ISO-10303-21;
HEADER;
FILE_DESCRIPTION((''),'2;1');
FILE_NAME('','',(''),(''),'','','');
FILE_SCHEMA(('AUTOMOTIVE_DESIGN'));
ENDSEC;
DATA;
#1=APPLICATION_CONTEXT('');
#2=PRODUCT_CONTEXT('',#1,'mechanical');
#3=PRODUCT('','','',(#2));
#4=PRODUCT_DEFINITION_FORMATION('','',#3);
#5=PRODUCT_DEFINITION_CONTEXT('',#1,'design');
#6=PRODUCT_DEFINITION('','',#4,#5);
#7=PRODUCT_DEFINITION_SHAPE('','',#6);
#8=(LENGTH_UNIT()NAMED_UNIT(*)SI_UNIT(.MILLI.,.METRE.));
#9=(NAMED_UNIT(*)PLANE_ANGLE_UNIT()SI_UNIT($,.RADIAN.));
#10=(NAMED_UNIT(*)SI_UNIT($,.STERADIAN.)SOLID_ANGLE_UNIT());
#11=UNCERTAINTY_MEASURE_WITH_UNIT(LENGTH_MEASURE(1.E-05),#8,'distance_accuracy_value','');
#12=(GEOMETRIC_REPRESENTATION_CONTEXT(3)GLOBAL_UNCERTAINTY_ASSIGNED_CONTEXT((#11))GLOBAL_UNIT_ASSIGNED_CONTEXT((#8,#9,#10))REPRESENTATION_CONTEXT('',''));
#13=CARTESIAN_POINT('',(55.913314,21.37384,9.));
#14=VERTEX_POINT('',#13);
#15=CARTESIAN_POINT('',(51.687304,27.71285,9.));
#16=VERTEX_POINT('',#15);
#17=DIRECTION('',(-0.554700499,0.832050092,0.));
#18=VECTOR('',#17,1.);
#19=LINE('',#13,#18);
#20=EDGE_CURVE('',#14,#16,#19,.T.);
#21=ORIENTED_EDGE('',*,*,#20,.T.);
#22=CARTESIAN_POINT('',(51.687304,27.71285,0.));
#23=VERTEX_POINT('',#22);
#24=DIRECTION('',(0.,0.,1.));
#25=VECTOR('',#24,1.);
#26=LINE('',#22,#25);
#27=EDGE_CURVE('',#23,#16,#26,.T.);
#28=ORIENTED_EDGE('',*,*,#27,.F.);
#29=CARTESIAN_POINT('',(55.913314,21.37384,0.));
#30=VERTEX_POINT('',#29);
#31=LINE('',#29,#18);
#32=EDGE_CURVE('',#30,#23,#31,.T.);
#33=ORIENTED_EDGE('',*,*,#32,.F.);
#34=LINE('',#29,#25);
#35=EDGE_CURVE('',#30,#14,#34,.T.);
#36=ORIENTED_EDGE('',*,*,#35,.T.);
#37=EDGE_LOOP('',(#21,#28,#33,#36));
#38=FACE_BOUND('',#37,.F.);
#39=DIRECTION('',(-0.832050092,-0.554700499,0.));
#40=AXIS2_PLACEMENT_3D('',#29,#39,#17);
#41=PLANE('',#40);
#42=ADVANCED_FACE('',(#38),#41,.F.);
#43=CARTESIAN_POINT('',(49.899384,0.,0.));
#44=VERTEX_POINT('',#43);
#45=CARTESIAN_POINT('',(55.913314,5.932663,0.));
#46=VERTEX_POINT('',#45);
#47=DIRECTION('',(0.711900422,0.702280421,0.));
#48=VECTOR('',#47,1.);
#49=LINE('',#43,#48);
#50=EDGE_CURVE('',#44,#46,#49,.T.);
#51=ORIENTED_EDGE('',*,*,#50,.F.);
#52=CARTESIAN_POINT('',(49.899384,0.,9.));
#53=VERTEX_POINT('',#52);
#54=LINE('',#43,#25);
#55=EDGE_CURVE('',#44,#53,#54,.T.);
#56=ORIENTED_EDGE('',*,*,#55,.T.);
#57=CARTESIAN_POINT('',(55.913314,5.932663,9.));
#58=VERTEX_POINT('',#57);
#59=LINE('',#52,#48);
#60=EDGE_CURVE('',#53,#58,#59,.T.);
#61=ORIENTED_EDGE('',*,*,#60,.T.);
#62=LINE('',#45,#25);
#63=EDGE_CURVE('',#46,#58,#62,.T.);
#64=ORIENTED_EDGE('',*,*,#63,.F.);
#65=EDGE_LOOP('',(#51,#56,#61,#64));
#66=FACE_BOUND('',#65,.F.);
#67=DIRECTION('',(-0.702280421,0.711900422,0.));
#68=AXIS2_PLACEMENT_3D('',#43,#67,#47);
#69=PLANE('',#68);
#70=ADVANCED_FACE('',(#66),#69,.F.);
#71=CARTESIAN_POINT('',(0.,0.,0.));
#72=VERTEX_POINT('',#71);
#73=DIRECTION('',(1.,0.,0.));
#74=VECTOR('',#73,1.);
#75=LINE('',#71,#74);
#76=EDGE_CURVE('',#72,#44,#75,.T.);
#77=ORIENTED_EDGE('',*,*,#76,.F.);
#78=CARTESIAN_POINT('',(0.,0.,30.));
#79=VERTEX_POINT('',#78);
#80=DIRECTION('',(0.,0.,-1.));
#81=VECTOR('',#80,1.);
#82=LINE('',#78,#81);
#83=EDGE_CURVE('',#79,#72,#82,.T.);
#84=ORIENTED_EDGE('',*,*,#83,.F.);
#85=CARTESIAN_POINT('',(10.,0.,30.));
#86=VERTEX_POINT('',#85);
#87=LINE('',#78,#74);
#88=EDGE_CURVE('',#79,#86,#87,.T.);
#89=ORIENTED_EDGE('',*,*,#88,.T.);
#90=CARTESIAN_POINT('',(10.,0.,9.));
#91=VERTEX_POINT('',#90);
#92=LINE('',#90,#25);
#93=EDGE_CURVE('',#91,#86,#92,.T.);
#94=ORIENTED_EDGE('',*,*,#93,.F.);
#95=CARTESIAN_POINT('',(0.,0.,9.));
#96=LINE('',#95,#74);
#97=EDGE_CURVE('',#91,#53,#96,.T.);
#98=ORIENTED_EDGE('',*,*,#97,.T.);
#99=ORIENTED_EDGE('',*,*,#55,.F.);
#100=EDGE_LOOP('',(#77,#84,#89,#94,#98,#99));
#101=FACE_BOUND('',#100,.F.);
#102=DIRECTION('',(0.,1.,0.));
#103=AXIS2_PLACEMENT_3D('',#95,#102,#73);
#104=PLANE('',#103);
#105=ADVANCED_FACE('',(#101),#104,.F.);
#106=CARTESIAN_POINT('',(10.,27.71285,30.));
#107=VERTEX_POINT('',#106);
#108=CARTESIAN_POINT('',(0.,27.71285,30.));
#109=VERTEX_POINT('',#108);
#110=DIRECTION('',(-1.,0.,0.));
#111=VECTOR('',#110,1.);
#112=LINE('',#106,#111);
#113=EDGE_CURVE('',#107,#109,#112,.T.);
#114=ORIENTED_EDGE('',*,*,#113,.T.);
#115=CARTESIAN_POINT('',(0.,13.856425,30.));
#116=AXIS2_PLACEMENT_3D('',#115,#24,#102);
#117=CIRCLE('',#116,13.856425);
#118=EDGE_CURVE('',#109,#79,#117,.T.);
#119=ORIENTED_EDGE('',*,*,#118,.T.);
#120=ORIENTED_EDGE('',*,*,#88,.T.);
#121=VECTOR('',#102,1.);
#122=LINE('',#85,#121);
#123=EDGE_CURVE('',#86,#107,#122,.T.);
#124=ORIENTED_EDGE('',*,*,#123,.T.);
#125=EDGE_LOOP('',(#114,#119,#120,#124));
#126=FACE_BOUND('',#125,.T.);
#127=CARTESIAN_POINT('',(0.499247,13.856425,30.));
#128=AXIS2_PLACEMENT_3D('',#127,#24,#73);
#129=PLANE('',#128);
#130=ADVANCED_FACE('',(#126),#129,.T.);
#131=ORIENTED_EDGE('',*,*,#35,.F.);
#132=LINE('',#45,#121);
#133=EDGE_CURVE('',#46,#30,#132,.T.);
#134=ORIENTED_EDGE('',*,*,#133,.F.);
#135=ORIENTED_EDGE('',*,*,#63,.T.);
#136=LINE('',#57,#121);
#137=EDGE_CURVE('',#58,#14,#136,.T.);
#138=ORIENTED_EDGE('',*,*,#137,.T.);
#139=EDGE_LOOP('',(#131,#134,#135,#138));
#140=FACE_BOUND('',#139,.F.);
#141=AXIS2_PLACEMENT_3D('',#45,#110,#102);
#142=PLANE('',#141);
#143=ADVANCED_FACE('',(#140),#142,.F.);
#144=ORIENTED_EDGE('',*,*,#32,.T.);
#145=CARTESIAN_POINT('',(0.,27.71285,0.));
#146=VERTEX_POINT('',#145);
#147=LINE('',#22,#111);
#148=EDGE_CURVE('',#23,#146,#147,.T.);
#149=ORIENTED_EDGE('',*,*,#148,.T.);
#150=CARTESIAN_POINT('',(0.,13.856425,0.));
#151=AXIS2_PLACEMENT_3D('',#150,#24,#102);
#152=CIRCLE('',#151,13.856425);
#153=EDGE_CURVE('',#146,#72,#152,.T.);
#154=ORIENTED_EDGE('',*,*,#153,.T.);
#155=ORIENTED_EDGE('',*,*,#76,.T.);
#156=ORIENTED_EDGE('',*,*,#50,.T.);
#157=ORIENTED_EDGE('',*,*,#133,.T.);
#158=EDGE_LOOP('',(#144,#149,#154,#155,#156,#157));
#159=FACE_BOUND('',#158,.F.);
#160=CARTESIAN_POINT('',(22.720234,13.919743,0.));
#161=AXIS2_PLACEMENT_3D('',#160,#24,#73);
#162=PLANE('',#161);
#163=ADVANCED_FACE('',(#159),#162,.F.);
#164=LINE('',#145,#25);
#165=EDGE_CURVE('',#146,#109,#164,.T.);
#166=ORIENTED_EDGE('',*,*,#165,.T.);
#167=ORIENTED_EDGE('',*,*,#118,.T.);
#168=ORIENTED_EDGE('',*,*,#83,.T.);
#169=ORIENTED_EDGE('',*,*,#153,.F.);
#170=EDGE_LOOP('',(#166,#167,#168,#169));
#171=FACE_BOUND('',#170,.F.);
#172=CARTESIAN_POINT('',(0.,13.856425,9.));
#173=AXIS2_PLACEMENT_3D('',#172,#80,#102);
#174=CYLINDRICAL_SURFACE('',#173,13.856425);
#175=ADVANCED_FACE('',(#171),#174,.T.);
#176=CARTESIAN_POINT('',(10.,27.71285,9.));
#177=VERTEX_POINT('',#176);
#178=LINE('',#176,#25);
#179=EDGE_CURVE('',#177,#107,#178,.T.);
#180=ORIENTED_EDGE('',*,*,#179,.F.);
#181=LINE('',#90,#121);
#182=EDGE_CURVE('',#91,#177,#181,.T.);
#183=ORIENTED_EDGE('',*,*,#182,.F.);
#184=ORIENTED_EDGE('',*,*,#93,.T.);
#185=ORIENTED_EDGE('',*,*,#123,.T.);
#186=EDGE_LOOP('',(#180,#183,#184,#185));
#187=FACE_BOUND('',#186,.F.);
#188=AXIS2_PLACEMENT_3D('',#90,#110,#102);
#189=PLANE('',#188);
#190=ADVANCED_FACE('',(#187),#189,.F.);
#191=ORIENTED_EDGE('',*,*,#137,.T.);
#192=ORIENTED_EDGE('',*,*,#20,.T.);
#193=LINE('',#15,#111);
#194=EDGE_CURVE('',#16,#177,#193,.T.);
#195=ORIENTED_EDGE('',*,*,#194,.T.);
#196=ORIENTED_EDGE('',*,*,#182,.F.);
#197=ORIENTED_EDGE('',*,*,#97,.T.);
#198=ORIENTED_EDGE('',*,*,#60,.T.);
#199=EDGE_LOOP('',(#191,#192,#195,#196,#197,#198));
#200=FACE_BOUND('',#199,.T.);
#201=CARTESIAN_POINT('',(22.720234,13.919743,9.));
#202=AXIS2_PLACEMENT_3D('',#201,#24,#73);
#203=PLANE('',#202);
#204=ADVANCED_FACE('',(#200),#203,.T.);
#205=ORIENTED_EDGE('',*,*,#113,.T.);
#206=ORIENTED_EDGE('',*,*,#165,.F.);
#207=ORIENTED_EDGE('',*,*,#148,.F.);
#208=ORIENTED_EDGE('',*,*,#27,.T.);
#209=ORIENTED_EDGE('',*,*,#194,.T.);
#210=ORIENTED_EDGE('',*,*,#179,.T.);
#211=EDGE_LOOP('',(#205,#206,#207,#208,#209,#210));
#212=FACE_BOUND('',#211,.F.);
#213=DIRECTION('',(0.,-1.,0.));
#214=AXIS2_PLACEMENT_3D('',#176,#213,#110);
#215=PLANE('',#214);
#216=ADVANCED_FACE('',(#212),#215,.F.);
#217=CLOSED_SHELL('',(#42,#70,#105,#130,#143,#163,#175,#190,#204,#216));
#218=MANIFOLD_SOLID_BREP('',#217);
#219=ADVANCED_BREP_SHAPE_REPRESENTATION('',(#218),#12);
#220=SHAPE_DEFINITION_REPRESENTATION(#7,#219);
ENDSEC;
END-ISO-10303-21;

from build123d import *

# Parameters (mm, degrees)
F1_DEPTH = 9
F3_DEPTH = 21


with BuildPart() as f1:
    # F0 (on Top) → F1 (new body)
    with BuildSketch(Plane.XY):
        with BuildLine():
            ThreePointArc((0, 27.71285), (-13.856425, 13.856425), (0, 0))
            Line((0, 0), (49.899384, 0))
            Line((49.899384, 0), (55.913314, 5.932663))
            Line((55.913314, 5.932663), (55.913314, 21.37384))
            Line((55.913314, 21.37384), (51.687304, 27.71285))
            Line((51.687304, 27.71285), (0, 27.71285))
        make_face()
    extrude(amount=F1_DEPTH)

    # F2 (on face) → F3 (join)
    with BuildSketch(Plane.XY.offset(9)):
        with BuildLine():
            Line((10, 0), (10, 27.71285))
            Line((10, 27.71285), (0, 27.71285))
            ThreePointArc((0, 27.71285), (-13.856425, 13.856425), (0, 0))
            Line((0, 0), (10, 0))
        make_face()
    extrude(amount=F3_DEPTH)


solid = f1.part
